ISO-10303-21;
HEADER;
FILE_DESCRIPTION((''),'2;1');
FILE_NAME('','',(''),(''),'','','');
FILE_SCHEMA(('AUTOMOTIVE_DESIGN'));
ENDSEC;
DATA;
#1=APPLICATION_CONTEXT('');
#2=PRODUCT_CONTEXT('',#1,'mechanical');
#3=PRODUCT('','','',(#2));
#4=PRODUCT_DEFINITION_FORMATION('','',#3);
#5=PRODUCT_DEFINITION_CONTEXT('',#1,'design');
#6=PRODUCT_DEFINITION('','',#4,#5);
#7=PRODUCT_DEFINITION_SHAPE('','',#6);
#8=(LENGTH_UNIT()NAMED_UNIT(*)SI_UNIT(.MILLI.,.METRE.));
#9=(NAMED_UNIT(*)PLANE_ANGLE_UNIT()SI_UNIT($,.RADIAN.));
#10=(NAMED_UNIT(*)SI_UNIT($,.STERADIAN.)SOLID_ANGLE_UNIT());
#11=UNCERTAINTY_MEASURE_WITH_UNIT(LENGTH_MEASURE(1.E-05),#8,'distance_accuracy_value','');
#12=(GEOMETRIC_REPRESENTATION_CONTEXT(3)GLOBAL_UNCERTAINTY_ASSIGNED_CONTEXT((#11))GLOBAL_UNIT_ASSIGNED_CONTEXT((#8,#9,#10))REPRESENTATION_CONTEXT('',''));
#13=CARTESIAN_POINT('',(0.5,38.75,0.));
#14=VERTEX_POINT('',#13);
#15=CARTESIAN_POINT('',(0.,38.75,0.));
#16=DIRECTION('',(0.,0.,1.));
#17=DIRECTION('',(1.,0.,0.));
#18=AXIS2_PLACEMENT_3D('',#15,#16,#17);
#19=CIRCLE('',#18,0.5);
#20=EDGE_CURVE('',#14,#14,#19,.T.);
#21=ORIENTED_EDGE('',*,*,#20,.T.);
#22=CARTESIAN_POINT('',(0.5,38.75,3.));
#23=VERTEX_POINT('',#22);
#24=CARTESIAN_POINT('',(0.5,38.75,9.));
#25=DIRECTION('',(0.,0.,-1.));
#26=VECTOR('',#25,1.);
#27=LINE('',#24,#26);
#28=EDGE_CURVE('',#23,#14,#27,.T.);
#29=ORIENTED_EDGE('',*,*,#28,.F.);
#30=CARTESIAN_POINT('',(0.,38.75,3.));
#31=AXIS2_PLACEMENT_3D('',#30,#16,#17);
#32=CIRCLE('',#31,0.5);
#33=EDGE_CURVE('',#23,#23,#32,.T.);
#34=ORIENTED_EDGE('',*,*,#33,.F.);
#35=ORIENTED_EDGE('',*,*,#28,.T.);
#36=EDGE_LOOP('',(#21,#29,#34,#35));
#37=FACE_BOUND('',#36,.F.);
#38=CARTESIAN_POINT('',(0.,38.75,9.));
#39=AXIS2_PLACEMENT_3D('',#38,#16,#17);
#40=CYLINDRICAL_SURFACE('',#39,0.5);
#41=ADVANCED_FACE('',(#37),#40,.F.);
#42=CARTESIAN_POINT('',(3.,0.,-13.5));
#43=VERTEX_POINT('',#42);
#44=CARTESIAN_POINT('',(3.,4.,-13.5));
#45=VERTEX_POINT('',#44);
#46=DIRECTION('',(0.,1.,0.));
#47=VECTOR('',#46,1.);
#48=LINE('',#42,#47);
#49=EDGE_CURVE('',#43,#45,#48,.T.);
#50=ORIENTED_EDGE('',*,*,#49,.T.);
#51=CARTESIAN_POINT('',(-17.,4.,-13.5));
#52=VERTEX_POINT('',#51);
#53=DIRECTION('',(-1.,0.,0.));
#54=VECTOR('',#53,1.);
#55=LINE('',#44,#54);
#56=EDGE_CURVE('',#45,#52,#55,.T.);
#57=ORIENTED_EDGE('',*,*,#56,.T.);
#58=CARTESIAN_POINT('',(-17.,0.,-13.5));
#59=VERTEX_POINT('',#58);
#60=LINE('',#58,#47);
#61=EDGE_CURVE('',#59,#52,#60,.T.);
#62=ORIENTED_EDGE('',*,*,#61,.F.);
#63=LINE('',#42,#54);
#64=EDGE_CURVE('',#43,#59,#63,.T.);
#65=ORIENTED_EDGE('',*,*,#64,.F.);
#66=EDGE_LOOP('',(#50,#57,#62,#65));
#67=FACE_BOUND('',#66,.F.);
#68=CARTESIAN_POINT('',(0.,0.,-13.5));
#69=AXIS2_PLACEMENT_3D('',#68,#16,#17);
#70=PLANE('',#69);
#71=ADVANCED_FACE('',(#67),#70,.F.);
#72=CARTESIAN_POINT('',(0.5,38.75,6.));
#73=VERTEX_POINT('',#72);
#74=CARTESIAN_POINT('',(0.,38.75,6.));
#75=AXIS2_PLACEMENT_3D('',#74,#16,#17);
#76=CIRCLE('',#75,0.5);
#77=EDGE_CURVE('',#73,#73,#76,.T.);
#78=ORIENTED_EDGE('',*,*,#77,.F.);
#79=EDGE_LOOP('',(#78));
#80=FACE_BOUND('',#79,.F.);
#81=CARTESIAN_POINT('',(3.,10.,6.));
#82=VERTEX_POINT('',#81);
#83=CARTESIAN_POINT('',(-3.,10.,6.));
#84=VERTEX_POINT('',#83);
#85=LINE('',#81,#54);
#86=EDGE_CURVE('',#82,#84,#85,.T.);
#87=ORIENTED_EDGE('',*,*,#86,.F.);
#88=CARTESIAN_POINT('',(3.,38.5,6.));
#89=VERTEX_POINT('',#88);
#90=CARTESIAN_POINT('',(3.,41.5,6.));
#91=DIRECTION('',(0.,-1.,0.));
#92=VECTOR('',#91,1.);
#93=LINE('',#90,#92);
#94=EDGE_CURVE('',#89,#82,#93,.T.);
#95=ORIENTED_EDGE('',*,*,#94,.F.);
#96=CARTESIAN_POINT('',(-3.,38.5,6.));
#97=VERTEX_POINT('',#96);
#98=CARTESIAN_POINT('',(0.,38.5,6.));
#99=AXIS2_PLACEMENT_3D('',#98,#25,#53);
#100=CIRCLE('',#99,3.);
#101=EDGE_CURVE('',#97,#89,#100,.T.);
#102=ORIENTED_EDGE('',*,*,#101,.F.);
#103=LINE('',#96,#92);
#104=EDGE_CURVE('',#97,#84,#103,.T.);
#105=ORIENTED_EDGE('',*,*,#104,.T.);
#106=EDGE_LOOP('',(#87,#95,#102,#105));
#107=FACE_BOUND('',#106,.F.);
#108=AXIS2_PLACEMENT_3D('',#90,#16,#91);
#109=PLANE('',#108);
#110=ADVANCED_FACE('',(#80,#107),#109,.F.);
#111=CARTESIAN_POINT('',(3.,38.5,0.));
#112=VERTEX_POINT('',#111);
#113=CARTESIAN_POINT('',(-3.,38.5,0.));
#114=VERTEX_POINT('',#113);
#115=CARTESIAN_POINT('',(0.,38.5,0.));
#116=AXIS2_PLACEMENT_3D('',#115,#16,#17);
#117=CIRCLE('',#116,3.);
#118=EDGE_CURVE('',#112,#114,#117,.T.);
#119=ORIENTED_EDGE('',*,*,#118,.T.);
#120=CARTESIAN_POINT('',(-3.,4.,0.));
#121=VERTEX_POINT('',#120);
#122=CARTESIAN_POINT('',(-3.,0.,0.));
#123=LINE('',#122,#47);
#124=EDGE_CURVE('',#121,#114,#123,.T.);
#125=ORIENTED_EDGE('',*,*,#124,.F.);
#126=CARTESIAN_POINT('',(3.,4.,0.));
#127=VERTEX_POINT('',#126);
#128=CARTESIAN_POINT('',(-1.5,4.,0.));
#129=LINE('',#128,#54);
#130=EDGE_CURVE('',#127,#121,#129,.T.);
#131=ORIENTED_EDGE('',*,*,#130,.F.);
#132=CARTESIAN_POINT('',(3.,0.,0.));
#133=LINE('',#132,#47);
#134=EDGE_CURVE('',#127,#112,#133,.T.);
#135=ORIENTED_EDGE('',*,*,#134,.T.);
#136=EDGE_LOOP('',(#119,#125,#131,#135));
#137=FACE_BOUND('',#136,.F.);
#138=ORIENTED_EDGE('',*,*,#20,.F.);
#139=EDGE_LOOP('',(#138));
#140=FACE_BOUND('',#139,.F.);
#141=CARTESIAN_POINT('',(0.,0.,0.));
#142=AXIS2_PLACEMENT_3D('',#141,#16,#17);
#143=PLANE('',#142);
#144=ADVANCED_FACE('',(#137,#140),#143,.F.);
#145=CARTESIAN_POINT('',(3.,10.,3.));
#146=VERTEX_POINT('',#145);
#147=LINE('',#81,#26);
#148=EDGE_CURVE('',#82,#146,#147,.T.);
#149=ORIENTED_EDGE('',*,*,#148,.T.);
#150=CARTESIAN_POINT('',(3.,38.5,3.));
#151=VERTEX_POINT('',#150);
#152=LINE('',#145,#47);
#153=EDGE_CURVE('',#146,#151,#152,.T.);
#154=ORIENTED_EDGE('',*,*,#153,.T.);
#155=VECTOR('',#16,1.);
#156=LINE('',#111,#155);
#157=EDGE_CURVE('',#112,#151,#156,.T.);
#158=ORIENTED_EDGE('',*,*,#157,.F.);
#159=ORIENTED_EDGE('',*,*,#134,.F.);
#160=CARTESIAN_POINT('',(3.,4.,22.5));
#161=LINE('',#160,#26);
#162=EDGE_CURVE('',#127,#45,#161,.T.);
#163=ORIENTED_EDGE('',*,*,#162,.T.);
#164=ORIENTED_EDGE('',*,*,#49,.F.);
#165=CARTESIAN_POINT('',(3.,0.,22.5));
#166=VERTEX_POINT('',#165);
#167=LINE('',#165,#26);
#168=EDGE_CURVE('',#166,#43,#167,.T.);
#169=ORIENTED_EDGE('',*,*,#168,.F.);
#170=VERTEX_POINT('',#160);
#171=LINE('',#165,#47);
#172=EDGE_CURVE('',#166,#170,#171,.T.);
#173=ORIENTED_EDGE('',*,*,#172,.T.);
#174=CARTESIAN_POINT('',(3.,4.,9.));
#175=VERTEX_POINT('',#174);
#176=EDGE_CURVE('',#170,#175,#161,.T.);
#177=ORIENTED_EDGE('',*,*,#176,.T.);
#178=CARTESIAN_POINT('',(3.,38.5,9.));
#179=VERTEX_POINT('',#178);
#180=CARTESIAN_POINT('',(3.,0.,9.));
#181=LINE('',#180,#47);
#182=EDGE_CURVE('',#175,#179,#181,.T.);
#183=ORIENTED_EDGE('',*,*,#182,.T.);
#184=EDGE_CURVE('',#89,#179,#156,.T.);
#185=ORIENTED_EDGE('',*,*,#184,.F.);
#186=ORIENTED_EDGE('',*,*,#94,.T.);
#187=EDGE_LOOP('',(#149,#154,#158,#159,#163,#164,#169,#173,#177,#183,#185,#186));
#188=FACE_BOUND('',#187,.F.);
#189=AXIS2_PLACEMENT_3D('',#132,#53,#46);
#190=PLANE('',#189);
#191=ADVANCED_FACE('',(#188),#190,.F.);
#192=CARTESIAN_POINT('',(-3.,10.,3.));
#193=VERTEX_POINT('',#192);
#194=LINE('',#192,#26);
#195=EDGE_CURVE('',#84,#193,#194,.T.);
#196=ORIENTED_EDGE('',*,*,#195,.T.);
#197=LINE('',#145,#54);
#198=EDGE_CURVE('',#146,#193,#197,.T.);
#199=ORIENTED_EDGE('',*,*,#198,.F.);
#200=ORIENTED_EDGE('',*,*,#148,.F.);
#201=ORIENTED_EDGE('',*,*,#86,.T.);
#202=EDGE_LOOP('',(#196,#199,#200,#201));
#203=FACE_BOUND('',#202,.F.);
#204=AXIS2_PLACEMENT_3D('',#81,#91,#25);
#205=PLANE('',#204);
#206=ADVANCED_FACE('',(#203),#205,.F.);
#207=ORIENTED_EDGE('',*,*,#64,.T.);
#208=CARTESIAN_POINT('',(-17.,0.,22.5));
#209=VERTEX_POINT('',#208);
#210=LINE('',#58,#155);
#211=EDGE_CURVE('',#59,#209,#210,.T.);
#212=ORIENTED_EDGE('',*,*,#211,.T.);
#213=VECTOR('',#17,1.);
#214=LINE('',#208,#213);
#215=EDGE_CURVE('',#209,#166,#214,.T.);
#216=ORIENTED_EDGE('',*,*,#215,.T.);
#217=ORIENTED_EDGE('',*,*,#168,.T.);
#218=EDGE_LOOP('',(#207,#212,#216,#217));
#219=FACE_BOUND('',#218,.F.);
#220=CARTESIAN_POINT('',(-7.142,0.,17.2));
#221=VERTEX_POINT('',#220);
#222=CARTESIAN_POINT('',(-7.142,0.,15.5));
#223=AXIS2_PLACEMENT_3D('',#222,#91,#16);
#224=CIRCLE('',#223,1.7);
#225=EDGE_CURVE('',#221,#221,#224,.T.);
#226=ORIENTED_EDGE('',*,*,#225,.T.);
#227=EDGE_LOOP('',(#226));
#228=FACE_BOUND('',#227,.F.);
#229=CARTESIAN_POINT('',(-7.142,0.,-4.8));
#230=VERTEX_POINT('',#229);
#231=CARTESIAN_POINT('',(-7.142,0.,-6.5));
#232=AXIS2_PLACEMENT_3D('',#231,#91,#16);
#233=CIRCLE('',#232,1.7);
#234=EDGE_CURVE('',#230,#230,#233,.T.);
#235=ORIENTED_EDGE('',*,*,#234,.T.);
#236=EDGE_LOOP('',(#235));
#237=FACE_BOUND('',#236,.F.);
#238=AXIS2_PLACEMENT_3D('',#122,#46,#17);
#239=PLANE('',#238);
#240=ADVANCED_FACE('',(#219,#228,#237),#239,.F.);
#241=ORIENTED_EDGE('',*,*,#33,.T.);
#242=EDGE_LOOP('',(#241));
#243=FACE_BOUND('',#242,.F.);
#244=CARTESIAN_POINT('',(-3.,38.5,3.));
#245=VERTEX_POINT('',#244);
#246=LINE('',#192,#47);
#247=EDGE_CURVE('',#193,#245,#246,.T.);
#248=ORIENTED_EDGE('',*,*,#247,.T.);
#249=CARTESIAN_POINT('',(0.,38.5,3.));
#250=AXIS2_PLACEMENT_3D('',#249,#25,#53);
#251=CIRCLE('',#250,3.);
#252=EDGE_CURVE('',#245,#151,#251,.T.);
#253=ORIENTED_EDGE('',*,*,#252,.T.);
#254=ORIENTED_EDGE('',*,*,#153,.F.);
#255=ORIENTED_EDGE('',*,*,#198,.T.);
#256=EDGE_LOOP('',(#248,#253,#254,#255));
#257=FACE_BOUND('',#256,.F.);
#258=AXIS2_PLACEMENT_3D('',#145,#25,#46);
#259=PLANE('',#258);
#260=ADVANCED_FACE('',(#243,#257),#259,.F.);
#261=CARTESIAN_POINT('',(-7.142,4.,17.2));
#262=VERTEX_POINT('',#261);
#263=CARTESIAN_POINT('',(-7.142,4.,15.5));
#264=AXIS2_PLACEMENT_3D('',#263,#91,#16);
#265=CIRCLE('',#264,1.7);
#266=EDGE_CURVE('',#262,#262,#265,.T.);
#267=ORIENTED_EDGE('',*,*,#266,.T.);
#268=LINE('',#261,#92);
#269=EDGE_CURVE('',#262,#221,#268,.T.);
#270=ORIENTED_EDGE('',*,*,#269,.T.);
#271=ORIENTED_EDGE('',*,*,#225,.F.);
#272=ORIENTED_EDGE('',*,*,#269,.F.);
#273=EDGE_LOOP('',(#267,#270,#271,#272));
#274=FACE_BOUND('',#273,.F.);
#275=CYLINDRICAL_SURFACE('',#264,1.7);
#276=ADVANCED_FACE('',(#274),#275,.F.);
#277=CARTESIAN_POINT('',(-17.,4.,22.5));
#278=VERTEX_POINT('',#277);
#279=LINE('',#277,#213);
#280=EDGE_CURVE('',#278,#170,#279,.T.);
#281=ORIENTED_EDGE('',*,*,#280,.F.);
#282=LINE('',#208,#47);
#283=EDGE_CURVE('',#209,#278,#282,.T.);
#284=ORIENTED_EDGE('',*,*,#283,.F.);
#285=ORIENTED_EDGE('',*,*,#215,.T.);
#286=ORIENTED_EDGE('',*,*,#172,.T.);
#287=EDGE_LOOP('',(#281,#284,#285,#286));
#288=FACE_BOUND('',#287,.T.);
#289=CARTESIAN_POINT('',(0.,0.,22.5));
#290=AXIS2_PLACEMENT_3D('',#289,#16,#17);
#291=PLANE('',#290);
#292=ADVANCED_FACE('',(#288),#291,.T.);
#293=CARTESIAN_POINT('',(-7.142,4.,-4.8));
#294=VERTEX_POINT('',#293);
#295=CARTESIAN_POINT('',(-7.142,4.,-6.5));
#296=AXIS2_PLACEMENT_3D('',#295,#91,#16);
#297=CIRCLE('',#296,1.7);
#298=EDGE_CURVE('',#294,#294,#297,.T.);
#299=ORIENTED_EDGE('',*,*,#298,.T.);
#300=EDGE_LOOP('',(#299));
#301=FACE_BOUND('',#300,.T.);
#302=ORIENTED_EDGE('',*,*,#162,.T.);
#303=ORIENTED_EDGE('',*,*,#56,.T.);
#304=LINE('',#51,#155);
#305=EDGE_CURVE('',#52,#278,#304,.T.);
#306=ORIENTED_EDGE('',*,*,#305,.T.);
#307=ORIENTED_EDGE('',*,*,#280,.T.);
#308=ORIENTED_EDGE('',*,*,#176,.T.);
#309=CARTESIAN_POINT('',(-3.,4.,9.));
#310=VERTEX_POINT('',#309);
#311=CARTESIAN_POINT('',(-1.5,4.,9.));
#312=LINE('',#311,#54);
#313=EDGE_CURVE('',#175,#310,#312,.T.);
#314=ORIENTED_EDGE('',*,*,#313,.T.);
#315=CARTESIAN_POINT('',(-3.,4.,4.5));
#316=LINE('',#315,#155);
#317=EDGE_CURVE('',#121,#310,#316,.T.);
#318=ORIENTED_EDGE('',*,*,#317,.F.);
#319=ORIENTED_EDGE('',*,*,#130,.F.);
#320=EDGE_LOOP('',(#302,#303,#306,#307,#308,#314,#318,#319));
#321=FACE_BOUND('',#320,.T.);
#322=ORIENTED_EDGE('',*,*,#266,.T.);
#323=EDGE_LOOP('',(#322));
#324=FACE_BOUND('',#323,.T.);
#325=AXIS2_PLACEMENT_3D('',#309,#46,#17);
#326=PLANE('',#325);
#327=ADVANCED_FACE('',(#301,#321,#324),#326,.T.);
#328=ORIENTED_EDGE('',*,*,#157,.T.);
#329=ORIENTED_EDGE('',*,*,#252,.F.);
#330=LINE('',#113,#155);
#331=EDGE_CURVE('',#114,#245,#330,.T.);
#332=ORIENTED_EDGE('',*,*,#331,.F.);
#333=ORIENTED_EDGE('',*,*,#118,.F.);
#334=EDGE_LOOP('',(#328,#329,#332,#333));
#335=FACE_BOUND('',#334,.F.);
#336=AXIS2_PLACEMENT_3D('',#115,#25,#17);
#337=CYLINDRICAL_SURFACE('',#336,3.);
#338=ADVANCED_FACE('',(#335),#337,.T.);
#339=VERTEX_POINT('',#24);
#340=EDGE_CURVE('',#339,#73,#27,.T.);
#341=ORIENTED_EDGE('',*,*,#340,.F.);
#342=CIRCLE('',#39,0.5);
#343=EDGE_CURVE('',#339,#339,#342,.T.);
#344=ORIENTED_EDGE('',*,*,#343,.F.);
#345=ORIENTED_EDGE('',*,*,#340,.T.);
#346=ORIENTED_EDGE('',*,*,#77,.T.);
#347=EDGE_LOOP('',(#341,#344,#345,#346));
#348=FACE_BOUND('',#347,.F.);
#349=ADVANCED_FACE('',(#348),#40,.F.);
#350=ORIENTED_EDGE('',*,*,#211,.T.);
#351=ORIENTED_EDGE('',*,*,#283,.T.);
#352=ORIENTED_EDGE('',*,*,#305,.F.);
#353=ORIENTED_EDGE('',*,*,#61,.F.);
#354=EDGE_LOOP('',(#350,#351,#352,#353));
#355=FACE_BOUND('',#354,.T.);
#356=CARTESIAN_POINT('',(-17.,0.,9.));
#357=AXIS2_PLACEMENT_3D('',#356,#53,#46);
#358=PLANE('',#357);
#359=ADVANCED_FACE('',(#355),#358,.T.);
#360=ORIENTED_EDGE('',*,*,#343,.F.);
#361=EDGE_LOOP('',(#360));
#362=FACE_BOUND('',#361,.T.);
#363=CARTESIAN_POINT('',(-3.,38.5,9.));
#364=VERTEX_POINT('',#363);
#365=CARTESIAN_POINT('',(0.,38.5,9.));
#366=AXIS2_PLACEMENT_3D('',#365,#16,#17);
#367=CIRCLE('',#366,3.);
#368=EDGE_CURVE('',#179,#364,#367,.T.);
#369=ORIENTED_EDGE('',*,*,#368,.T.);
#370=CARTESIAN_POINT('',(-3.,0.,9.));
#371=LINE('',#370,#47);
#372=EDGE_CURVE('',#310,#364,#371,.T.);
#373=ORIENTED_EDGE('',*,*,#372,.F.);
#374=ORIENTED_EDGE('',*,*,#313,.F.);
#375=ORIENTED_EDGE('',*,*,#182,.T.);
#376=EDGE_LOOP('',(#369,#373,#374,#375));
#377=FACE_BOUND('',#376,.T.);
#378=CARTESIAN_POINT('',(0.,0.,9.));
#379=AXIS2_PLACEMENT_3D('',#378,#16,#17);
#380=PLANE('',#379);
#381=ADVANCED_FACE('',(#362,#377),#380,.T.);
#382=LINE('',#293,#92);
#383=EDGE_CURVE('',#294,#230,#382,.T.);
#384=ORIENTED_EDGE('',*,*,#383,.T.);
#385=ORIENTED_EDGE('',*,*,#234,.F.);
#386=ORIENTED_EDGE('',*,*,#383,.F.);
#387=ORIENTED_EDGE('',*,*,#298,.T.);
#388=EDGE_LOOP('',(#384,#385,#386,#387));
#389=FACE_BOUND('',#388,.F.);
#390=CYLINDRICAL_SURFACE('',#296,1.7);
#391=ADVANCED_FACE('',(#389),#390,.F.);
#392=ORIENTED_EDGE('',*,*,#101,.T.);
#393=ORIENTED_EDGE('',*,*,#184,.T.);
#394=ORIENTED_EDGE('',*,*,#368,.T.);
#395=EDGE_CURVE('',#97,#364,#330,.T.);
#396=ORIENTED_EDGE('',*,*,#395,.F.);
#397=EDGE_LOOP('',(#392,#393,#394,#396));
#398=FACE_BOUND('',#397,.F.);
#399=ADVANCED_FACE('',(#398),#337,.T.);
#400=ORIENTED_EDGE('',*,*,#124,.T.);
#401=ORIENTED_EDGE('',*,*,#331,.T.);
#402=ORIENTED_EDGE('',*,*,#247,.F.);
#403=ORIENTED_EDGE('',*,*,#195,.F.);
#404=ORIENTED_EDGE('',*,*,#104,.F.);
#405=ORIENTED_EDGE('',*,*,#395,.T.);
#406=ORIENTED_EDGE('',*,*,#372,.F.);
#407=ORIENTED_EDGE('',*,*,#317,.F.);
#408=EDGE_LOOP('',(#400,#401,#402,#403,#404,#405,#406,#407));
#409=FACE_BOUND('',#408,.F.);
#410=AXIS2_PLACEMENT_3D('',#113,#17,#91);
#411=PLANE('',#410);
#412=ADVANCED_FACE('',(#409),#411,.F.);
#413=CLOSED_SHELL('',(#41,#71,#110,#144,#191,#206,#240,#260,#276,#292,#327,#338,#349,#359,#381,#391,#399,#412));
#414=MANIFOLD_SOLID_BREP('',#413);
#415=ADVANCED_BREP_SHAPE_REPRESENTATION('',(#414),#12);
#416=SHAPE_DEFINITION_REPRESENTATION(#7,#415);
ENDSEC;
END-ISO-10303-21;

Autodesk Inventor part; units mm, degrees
ref_plane "YZ Plane" through (0, 0, 0) normal (1, 0, 0) x (0, 1, 0)
ref_plane "XZ Plane" through (0, 0, 0) normal (0, 1, 0) x (-1, 0, 0)
ref_plane "XY Plane" through (0, 0, 0) normal (0, 0, 1) x (1, 0, 0)
sketch "Sketch1" plane through (0, 0, 0) normal (0, 0, 1) x (1, 0, 0)
  line L0 (-3, 38.5) -> (-3, 0)
  line L1 (-3, 0) -> (3, 0)
  line L2 (3, 0) -> (3, 38.5)
  line L3 (-3, 38.5) -> (-3, 36)
  arc A0 (3, 38.5) -> (-3, 38.5) centre (0, 38.5) ccw
  point P0 (0, 0)
extrude "Extrusion1" add sketch "Sketch1" along normal blind 9
sketch "Sketch2" plane through (3, 0, 0) normal (1, 0, 0) x (0, 0, -1)
  line L0 (-3, 41.5) -> (-6, 41.5)
  line L1 (-6, 41.5) -> (-6, 10)
  line L2 (-6, 10) -> (-3, 10)
  line L3 (-3, 10) -> (-3, 41.5)
  point P0 (0, 0)
  point P1 (-9, 41.5)
extrude "Extrusion2" cut sketch "Sketch2" against normal through all
sketch "Sketch3" plane through (0, 0, 9) normal (0, 0, 1) x (1, 0, 0)
  line L0 (-3, 38.5) -> (-3, 0) projected
  line L1 (-3, 4) -> (3, 4)
  line L2 (3, 0) -> (-17, 0)
  line L3 (-17, 0) -> (-17, 4)
  line L4 (-17, 4) -> (3, 4)
  line L5 (3, 0) -> (3, 4)
  line L6 (3, 0) -> (3, 38.5) projected
  point P0 (0, 0)
  dimension "d77" = 20
sketch "Sketch8" plane through (0, 0, 9) normal (0, 0, 1) x (1, 0, 0)
  arc A0 (3, 38.5) -> (-3, 38.5) centre (0, 38.5) ccw construction
  line L0 (0, 41.5) -> (0, 38.75) construction
  circle A1 centre (0, 38.75) radius 0.5
  point P0 (0, 0)
  dimension "d68" = 2.75
  dimension "d69" = 1
extrude "Extrusion6" cut sketch "Sketch8" against normal through all
extrude "Extrusion7" add sketch "Sketch3" along normal blind 13.5 and the other way blind 22.5
sketch "Sketch10" plane through (-3, 4, 9) normal (0, 1, 0) x (1, 0, 0)
  point P0 (3, 9)
  point P1 (6, 22.5)
  point P2 (6, -13.5)
  point P3 (-4.142, -6.5)
  point P4 (-4.142, 15.5)
hole "Hole4" at (-7.142, 4, 15.5) at (-7.142, 4, -6.5) direction (0, -1, 0) diameter 3.4 end through all clearance for "Hex Head Cap Screw ISO 24017" size "M3" standard "ISO"
properties part number "Podstawka" material "Stainless Steel, Austenitic"
